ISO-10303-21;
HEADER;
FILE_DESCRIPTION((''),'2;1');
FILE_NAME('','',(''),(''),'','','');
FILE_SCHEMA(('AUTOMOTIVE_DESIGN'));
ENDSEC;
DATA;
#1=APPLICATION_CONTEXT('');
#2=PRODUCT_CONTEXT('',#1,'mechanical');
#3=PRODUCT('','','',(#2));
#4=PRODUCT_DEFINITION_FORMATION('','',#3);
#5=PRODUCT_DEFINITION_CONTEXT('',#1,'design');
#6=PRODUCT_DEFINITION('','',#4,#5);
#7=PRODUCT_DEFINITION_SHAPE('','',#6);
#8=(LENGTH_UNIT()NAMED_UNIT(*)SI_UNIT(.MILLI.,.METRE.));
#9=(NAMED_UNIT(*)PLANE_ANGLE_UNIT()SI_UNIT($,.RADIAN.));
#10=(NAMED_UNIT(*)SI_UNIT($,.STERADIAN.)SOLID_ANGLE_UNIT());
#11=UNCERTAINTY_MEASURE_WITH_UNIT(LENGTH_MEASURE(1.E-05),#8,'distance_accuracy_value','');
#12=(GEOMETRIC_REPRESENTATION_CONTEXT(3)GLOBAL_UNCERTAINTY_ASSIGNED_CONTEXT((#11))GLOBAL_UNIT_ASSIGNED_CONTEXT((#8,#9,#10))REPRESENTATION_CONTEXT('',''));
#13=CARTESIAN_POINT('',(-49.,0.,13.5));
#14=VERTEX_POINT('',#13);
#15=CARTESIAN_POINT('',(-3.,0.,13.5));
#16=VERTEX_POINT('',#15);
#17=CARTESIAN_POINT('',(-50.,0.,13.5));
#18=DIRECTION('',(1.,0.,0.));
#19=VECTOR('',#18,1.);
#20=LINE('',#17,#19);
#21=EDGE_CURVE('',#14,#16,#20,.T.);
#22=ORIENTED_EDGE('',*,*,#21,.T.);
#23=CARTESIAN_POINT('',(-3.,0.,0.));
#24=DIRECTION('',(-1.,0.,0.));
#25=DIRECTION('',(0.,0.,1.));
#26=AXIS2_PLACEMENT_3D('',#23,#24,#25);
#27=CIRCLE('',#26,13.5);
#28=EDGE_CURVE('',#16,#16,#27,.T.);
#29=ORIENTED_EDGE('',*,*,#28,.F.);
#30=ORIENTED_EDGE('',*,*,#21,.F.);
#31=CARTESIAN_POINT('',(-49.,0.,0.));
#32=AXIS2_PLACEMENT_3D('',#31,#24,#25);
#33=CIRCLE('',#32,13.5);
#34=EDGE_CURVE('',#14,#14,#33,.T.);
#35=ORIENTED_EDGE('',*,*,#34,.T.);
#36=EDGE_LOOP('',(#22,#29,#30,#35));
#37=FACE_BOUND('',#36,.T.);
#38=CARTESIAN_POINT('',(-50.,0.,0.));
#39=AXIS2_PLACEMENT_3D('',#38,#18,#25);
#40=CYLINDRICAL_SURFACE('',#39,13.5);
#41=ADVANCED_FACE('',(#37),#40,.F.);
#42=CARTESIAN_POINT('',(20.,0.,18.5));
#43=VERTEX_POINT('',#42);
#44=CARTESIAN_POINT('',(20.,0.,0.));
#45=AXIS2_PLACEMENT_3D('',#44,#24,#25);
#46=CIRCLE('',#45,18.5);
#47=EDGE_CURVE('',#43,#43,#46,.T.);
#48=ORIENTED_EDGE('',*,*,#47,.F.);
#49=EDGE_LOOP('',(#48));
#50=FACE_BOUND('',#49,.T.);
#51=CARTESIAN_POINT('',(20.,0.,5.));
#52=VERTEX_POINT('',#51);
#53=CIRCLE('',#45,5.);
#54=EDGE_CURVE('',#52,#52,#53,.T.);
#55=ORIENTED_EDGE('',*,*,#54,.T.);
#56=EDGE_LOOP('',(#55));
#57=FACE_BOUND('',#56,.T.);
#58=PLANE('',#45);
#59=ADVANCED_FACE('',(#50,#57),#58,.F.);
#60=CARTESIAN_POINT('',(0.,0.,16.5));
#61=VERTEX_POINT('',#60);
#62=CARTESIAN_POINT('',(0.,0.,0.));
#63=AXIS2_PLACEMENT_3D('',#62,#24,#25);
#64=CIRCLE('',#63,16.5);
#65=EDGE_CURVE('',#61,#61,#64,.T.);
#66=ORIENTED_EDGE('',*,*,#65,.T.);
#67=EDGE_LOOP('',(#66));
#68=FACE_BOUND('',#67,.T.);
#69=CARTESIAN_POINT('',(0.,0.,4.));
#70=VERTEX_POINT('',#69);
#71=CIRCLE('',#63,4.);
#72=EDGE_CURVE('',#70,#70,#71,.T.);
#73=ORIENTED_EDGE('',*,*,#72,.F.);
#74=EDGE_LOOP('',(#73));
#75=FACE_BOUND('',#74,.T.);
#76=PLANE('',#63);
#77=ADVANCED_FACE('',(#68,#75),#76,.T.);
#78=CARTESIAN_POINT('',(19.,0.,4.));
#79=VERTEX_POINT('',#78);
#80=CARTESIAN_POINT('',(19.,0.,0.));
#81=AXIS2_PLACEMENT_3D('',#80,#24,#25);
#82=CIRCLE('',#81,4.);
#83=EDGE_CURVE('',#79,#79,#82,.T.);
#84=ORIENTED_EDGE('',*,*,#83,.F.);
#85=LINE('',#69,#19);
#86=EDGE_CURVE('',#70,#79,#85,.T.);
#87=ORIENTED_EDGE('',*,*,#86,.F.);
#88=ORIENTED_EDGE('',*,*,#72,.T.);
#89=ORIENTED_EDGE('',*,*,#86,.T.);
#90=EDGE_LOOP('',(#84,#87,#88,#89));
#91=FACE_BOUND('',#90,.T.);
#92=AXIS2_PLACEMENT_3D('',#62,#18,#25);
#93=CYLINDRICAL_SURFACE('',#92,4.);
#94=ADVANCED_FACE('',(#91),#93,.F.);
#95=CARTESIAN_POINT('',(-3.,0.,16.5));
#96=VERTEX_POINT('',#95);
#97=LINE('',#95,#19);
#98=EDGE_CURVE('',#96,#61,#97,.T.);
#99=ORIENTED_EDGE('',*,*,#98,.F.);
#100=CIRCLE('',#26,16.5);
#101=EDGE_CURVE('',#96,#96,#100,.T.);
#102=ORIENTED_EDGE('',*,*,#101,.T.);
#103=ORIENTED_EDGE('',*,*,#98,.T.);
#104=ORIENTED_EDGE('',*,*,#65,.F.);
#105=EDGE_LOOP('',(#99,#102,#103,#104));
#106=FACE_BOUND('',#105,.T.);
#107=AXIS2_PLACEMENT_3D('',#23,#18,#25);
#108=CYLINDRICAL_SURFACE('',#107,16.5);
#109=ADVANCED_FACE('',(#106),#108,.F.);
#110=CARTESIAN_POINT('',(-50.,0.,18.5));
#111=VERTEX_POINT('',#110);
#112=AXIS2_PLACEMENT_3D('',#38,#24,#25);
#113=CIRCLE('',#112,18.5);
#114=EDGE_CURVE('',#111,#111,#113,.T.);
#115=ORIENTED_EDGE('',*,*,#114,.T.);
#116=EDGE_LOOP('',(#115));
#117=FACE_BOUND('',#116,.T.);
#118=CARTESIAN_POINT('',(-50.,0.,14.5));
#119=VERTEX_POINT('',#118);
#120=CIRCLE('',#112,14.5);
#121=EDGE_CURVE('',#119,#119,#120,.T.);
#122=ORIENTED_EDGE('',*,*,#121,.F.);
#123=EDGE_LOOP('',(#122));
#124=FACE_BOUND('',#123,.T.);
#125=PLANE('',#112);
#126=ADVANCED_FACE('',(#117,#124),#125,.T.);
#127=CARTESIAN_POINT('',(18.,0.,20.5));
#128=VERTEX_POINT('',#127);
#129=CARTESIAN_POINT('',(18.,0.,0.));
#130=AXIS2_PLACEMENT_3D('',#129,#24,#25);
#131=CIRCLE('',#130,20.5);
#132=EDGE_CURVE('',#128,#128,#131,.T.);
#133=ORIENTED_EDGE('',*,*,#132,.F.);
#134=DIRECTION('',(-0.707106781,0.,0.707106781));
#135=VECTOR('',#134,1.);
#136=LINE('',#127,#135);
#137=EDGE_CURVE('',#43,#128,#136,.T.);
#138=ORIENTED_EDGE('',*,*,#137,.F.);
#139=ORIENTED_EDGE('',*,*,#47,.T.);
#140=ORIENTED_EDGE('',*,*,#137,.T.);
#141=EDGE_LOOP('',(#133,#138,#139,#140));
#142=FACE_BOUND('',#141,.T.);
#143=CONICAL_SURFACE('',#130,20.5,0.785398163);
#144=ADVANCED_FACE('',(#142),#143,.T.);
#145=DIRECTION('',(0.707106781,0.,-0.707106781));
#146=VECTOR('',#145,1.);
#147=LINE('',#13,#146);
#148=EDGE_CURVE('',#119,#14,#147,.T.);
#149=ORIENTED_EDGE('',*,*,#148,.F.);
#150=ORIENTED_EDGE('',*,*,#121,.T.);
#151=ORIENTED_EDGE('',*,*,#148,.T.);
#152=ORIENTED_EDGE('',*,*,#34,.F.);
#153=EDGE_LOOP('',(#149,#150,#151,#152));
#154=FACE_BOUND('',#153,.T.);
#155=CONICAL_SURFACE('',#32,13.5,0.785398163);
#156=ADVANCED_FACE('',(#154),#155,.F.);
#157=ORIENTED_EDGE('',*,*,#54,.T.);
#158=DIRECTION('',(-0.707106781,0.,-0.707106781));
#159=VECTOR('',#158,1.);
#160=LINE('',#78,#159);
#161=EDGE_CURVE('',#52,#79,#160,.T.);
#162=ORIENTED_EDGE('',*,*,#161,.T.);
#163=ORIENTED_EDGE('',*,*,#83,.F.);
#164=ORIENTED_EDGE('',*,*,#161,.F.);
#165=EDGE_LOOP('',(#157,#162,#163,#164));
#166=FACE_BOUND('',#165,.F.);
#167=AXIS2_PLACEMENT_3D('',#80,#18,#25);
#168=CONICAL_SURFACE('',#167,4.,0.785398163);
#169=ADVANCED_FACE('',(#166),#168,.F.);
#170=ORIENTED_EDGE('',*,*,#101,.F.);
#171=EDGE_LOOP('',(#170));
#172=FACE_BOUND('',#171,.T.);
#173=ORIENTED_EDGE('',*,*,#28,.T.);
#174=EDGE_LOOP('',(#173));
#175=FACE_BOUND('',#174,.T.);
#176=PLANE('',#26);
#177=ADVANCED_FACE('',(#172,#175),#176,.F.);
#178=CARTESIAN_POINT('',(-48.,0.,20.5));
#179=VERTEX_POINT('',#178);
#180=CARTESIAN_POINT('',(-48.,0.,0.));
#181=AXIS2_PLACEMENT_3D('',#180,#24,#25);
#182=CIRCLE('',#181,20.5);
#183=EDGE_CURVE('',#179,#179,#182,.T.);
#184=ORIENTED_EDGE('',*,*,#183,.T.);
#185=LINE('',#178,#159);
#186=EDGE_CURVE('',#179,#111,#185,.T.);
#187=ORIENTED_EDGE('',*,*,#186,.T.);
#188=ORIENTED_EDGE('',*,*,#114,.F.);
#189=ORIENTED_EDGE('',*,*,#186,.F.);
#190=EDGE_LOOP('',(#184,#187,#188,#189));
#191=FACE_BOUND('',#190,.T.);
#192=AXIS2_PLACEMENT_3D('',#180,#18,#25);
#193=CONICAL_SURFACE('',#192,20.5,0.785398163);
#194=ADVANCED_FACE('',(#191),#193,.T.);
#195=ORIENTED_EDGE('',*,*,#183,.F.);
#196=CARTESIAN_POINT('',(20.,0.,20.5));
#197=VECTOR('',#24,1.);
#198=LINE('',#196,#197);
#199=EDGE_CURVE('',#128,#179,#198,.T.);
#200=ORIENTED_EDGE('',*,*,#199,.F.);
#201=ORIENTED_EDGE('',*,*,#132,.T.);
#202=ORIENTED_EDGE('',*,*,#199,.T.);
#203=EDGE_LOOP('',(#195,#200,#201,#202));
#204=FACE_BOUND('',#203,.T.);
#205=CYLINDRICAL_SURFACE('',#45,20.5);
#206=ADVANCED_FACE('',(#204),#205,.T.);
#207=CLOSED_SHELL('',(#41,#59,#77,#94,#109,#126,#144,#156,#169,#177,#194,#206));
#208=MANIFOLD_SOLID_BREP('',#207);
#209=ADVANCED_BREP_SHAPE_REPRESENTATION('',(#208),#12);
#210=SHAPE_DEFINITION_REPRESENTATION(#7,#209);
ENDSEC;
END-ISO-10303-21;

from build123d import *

# Parameters (mm, degrees)
F2_SIZE = 2
F3_SIZE = 1


with BuildPart() as f1:
    # F0 (on Front) → F1 (revolve)
    with BuildSketch(Plane.XZ):
        Polygon((0, 13.5), (0, 4), (20, 4), (20, 20.5), (-50, 20.5), (-50, 13.5), (-3, 13.5), (-3, 16.5), (0, 16.5), align=None)
    revolve(axis=Axis((-15.148313, 0, 0), (-1, 0, 0)))

    # F2
    f2_edges = [f1.edges().sort_by_distance(p)[0] for p in [
        (-50, 0, -20.5),
        (20, 0, -20.5),
    ]]
    chamfer(f2_edges, length=F2_SIZE)

    # F3
    f3_edges = [f1.edges().sort_by_distance(p)[0] for p in [
        (-50, 0, -13.5),
        (20, 0, -4),
    ]]
    chamfer(f3_edges, length=F3_SIZE)


solid = f1.part
